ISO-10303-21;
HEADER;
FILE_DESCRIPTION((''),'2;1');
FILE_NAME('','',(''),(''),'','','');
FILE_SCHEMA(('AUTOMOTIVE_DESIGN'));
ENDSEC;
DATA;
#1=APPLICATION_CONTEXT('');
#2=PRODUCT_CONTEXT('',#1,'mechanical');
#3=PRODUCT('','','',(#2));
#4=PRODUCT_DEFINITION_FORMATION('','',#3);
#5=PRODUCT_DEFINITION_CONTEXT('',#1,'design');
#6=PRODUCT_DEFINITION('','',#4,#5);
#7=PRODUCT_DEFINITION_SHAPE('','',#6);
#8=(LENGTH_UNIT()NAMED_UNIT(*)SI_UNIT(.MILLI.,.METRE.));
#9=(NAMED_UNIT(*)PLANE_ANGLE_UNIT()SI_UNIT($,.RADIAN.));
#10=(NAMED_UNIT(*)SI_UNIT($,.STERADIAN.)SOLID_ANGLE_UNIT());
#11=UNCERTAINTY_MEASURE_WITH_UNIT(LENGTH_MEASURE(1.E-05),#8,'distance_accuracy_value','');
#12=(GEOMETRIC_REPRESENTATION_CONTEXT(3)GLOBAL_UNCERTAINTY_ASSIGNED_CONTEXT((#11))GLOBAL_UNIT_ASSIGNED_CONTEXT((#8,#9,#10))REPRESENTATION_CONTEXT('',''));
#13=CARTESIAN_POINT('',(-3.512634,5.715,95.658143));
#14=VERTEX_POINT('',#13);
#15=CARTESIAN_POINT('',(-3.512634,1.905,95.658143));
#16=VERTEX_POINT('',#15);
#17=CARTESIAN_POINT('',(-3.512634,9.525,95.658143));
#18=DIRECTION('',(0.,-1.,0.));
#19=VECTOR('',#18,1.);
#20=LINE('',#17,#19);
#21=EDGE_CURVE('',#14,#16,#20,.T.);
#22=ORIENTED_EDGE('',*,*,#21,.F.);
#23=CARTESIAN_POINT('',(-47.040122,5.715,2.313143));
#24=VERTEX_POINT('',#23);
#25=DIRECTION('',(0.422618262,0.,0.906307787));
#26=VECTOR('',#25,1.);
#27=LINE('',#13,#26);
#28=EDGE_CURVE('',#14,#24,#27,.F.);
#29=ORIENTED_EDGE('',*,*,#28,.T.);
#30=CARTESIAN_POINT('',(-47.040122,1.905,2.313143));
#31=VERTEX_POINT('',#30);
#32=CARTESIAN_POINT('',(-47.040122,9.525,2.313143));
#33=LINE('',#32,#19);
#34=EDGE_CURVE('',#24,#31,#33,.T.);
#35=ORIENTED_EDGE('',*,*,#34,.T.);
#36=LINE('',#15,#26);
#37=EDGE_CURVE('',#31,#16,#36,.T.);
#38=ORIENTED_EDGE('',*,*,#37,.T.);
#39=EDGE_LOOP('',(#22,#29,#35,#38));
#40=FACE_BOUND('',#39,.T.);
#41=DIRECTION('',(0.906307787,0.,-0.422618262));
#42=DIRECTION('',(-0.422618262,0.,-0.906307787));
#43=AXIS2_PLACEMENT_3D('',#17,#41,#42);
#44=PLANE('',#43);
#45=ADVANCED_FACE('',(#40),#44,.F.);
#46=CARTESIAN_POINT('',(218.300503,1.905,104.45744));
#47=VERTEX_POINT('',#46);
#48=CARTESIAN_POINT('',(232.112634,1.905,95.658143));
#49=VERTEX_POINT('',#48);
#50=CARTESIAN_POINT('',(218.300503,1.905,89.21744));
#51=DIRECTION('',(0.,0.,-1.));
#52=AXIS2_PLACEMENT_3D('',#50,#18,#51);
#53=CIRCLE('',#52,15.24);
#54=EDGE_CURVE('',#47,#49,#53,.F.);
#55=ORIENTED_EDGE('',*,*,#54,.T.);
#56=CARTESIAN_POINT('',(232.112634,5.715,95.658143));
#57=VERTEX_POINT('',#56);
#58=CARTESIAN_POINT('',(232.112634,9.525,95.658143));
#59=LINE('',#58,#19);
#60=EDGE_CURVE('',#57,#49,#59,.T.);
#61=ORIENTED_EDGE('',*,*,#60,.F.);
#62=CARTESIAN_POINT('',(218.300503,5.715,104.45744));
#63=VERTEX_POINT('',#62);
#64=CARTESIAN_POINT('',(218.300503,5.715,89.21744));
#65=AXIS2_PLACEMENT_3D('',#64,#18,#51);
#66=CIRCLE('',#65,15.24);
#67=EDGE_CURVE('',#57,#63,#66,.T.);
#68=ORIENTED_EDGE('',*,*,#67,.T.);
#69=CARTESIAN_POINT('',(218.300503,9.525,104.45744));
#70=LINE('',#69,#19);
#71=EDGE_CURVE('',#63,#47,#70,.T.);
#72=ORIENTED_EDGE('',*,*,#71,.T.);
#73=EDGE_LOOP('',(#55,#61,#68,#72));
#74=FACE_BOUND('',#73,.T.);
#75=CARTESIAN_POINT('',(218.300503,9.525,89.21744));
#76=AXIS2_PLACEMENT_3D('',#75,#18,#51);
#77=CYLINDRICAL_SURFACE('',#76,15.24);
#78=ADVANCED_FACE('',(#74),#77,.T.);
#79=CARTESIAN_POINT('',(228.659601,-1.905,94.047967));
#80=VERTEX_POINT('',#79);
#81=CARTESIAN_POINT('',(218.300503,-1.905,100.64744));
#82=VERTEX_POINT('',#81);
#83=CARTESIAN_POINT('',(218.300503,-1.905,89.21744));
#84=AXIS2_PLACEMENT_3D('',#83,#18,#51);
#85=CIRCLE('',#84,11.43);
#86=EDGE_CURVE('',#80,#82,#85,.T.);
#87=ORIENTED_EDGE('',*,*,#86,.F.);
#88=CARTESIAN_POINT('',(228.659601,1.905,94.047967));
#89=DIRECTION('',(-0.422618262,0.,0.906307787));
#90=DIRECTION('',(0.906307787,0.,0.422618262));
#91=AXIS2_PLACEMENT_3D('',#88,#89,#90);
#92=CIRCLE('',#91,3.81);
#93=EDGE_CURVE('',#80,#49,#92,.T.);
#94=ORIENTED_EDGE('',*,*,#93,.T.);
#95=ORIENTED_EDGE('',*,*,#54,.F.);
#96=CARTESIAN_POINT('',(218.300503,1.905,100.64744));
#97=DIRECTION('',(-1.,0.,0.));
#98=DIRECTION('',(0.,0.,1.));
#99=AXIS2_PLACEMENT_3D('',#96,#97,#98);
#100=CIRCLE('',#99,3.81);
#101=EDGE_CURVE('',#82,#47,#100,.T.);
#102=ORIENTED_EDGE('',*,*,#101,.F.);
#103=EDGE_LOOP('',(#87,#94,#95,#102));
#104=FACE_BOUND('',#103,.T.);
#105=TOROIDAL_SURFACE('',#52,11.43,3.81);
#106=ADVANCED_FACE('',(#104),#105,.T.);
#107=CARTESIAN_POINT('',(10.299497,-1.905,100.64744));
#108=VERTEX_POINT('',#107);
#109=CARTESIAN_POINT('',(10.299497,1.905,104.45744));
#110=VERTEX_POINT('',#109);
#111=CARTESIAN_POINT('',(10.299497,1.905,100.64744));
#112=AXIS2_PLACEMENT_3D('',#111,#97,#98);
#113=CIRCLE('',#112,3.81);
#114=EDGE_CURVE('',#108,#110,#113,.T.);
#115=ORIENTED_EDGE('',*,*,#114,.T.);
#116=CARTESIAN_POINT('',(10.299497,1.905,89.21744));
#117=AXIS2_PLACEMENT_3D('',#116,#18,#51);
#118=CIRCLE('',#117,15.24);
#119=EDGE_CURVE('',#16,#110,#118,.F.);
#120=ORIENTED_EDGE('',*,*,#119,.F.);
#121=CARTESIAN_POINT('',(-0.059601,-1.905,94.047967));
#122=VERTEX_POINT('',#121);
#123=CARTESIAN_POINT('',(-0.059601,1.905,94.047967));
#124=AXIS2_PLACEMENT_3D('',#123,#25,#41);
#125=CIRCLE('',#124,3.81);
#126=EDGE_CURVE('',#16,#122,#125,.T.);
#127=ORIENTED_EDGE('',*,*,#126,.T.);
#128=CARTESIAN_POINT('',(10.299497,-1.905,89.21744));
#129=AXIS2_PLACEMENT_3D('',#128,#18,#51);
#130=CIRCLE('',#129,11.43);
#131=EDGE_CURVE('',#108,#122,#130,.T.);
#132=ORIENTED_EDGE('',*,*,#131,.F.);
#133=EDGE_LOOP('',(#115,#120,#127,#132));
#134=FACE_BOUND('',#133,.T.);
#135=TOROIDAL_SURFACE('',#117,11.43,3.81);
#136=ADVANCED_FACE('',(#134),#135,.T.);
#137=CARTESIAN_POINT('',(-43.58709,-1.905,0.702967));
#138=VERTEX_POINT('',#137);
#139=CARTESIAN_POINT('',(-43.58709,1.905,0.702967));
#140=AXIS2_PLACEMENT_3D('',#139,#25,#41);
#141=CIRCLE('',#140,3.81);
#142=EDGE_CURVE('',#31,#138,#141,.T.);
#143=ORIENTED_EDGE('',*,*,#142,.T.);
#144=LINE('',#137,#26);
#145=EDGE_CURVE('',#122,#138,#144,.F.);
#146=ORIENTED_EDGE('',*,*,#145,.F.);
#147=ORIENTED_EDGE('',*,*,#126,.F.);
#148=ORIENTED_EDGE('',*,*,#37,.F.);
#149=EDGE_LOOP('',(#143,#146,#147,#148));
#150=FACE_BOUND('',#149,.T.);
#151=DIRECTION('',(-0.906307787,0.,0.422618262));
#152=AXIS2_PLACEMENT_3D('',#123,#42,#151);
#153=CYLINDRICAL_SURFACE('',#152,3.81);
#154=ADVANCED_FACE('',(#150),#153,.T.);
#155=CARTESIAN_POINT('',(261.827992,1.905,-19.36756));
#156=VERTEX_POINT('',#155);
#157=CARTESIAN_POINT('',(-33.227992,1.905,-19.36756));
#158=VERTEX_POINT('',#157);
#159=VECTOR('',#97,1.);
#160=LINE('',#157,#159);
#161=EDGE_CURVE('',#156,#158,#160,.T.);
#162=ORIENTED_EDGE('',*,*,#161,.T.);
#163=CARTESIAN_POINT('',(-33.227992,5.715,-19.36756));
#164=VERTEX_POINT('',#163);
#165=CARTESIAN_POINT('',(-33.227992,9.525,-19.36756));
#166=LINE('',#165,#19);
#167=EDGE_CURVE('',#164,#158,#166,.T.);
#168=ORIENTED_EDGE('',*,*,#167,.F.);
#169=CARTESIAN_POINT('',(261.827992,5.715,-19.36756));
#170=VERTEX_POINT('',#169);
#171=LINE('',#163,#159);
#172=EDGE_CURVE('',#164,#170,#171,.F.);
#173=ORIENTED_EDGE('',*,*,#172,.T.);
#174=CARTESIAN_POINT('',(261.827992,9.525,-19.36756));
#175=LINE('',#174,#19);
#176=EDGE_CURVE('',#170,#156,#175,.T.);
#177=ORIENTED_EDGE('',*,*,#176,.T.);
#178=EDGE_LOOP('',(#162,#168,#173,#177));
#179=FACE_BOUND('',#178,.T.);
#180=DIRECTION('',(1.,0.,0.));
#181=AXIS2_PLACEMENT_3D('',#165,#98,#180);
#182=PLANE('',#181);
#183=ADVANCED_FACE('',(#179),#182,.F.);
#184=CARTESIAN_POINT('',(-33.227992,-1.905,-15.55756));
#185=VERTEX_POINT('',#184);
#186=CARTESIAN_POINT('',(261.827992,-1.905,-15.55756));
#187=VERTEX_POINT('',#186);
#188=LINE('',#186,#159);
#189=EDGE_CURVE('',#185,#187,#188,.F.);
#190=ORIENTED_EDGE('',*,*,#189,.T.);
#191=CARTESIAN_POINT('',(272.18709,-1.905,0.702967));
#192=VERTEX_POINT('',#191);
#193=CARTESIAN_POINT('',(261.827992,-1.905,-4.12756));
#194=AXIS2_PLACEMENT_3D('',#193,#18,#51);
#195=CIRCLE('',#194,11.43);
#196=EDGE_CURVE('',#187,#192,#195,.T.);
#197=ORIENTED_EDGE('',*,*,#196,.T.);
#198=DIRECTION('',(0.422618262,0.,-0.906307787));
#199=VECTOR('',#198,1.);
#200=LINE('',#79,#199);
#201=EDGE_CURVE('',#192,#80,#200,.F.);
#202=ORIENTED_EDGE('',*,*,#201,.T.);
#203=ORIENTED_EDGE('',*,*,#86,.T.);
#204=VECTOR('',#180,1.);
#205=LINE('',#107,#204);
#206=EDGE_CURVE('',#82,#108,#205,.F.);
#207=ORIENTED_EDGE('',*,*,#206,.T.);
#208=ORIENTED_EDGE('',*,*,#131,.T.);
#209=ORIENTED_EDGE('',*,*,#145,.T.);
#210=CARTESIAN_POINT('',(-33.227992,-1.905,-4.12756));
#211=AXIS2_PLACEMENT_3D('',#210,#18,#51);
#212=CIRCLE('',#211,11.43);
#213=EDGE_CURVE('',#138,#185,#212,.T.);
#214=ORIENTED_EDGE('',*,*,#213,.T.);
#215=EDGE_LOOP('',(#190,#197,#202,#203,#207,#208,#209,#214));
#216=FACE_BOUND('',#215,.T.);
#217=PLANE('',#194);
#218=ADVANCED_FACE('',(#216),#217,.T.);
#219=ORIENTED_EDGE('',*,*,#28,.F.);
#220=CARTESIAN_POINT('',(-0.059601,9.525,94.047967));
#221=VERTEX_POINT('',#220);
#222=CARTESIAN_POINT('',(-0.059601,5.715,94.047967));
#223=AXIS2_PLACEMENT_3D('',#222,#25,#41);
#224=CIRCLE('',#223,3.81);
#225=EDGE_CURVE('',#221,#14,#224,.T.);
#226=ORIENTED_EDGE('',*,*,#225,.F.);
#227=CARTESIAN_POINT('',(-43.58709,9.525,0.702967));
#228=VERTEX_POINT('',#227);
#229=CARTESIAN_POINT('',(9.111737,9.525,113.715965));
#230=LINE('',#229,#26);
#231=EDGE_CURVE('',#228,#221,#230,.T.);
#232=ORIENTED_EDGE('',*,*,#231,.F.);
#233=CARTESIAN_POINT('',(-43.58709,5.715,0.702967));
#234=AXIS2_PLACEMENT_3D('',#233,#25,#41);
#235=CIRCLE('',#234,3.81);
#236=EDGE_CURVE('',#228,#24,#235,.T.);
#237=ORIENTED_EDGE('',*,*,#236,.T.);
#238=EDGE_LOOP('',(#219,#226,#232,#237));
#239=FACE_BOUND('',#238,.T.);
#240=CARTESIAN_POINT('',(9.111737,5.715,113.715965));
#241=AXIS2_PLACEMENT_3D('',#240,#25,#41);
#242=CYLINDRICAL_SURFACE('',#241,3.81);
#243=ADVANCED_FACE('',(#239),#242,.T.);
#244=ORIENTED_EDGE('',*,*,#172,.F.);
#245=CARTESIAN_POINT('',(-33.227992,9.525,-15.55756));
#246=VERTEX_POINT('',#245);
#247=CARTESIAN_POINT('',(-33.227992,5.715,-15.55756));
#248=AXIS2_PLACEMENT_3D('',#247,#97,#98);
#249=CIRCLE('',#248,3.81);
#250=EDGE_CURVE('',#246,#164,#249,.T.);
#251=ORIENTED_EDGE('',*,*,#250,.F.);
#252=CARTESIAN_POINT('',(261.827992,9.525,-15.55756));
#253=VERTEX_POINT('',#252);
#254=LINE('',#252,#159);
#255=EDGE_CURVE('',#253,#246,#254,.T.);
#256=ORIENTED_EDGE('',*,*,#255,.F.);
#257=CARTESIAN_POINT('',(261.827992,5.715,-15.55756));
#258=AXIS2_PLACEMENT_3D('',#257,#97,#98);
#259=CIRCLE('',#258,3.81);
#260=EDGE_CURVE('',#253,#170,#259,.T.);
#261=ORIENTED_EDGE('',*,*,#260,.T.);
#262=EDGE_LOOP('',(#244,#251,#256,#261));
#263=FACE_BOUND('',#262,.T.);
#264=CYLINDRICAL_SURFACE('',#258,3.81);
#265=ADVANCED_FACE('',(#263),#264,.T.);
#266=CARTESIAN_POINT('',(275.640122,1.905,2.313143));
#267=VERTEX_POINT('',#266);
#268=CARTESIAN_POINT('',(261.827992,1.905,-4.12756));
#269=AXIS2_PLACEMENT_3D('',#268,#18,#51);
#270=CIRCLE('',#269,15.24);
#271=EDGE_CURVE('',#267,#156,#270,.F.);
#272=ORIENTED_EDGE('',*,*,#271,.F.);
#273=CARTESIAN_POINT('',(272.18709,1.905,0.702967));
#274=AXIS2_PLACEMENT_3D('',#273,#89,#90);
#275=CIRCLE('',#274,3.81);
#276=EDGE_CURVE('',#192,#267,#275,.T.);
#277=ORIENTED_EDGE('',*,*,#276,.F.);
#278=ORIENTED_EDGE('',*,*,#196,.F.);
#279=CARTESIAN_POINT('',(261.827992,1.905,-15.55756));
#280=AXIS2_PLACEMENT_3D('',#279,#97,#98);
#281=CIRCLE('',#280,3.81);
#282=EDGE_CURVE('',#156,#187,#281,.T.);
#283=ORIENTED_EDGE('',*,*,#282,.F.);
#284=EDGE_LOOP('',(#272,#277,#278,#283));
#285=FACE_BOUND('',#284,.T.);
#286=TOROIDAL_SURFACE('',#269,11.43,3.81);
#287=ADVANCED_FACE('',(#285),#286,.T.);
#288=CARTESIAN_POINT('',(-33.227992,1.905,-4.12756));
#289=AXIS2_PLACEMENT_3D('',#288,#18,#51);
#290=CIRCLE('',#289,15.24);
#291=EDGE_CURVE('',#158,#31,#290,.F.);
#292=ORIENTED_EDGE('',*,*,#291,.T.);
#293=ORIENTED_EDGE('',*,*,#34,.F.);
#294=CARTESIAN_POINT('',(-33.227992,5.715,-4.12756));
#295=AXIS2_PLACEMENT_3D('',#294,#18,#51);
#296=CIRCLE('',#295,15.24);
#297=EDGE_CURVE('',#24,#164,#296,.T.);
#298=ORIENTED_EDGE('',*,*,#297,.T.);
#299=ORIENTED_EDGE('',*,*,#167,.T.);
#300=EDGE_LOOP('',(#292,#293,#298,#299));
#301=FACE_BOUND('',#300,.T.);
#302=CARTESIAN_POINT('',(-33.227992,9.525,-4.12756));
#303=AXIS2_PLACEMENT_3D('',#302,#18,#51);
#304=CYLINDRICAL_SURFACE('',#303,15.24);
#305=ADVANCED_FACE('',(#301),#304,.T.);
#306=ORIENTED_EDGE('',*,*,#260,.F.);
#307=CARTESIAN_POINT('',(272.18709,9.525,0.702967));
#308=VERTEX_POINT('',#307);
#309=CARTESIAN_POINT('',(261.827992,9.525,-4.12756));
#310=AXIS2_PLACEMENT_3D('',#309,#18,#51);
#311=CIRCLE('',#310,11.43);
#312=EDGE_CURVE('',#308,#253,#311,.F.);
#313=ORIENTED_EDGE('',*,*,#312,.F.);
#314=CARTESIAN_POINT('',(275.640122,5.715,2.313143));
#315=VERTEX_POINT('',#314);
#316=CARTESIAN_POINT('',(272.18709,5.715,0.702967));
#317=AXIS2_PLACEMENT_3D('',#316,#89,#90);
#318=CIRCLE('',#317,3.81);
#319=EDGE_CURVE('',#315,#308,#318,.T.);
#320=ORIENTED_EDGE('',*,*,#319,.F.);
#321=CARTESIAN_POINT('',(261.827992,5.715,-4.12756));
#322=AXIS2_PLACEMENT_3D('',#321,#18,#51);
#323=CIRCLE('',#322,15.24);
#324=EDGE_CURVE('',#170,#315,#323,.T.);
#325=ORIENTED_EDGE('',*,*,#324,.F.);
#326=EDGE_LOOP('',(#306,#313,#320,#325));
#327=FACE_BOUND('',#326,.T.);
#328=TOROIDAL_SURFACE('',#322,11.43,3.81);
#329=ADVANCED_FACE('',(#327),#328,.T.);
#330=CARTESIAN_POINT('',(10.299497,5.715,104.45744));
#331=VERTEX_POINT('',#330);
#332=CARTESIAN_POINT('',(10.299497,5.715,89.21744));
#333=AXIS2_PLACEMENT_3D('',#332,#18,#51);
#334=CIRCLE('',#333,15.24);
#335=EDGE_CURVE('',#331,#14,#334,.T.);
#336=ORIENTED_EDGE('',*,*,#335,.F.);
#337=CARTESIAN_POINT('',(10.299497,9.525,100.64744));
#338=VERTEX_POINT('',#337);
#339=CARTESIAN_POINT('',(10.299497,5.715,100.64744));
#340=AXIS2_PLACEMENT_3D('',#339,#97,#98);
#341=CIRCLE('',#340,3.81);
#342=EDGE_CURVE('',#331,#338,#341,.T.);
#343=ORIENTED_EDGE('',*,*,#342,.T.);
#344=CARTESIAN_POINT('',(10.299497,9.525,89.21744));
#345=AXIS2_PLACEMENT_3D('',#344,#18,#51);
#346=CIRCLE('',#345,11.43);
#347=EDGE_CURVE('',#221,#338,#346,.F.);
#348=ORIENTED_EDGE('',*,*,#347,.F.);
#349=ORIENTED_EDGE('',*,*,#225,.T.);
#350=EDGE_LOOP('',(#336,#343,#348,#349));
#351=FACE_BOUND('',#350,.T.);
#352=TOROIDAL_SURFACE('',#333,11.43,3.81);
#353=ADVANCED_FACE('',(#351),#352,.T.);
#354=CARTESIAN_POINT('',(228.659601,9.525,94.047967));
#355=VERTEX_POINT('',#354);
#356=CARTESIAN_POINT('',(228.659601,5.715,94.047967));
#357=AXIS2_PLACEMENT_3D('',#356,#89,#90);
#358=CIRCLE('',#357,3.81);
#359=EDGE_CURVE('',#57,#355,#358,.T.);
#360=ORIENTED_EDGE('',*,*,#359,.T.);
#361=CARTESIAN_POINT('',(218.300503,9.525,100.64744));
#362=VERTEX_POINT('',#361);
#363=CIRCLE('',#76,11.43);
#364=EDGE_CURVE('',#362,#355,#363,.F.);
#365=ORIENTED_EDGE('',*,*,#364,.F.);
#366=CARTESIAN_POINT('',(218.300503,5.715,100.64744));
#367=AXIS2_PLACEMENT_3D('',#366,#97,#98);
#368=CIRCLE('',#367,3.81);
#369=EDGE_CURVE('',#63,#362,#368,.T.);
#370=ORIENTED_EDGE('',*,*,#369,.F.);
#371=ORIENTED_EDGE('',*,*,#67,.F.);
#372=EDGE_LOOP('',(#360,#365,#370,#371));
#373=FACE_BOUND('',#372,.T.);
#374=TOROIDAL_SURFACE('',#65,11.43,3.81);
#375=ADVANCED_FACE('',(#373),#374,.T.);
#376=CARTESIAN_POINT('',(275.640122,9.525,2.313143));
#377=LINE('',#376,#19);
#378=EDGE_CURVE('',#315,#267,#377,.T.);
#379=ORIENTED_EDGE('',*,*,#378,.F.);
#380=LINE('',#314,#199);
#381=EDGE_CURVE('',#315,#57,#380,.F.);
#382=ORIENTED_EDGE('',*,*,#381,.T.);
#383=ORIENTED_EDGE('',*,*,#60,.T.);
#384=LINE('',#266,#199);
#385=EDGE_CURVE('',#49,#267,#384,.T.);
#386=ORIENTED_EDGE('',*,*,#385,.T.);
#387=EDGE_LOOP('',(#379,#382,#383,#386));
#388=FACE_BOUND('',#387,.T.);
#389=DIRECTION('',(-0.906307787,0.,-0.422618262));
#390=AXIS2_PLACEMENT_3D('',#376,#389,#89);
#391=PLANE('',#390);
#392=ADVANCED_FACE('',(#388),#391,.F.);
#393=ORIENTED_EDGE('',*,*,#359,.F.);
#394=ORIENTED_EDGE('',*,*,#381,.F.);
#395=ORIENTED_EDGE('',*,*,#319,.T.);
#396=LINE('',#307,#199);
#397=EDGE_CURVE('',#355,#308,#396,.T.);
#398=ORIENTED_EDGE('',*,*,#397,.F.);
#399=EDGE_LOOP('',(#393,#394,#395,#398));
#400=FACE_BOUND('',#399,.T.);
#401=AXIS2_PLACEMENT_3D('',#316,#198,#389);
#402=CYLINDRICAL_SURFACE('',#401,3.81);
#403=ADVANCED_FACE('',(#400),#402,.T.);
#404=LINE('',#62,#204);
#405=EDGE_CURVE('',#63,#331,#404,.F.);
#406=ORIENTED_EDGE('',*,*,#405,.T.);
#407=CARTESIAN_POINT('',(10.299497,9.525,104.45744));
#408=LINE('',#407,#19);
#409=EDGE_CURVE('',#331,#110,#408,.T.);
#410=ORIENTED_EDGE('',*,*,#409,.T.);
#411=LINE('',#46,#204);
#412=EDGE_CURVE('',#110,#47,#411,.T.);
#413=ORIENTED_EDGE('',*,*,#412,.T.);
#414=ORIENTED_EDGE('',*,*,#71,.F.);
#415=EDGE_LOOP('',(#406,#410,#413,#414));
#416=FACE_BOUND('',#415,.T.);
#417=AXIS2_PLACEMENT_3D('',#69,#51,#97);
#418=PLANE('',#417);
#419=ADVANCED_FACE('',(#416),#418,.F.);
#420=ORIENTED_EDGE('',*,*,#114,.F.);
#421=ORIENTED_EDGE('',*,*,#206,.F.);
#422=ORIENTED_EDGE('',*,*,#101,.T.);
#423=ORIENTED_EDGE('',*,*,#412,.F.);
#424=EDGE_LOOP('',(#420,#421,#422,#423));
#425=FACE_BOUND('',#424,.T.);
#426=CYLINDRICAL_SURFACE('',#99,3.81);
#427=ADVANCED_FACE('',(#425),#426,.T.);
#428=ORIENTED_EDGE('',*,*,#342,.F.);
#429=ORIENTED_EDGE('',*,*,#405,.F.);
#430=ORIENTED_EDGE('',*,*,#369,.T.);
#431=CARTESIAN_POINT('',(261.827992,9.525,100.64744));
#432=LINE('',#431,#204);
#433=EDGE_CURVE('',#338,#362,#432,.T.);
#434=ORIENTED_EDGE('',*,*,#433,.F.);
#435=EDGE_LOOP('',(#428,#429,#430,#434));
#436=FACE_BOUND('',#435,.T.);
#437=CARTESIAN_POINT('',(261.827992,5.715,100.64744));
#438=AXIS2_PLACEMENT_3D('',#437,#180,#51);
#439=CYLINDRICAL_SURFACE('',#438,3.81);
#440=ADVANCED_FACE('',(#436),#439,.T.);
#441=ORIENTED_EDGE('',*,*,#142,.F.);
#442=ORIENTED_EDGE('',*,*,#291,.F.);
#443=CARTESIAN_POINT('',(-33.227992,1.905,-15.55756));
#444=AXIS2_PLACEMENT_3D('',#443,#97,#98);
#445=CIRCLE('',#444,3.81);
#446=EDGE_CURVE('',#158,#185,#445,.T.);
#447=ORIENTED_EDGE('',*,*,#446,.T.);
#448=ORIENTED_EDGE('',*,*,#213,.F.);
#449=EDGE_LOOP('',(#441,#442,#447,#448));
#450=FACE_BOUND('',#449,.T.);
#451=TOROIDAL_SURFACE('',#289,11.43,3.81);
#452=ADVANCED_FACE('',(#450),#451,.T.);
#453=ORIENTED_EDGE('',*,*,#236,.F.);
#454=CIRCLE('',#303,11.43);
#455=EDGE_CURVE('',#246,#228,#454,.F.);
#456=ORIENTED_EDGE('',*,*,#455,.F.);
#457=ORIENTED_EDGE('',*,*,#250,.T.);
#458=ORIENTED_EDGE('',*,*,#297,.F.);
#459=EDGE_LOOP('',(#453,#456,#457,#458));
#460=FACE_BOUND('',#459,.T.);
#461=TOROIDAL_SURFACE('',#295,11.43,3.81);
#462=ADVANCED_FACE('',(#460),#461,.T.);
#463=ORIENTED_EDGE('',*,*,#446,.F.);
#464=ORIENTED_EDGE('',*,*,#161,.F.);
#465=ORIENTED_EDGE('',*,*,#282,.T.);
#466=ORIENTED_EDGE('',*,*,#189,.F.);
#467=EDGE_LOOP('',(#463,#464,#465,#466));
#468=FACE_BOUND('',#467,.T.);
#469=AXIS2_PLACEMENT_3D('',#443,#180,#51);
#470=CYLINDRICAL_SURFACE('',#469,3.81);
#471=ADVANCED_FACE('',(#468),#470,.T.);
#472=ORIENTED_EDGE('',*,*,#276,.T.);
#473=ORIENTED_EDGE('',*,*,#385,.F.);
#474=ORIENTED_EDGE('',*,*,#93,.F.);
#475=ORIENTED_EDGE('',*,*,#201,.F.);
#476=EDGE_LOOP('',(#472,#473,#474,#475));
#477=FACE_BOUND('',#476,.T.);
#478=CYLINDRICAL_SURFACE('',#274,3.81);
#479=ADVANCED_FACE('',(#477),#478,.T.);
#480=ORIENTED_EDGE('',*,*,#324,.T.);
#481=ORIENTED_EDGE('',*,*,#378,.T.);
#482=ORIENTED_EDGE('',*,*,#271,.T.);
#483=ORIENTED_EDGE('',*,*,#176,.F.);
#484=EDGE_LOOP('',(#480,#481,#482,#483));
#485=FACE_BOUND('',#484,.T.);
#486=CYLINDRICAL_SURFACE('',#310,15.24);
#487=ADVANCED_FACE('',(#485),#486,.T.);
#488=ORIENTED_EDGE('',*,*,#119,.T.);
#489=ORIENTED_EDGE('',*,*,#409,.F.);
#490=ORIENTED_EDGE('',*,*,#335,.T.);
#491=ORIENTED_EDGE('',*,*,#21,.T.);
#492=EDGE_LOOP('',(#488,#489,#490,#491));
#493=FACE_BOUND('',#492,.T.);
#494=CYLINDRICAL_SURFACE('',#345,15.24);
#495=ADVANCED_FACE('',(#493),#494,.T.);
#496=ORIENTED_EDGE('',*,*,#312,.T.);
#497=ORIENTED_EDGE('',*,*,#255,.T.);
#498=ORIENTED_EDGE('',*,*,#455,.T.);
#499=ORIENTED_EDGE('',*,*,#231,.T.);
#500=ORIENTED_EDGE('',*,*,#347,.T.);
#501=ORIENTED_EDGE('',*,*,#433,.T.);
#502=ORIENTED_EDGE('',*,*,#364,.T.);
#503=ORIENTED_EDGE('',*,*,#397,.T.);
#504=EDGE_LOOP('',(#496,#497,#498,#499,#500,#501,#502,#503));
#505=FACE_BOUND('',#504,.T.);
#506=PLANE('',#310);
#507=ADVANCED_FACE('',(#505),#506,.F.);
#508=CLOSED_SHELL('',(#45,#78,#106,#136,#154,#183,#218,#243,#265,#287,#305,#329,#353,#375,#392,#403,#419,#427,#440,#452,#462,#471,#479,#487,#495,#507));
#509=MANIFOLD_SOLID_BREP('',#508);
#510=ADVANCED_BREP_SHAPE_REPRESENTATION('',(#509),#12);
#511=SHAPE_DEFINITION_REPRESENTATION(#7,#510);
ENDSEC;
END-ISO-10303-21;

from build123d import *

# Parameters (mm, degrees)
BOSS_EXTRUDE1_DEPTH = 7.62
FILLET1_R           = 2.54
SCALE1_SCALE        = 1.5


with BuildPart() as part:
    # Sketch1 → Boss-Extrude1 (new body)
    with BuildSketch(Plane(origin=(0, 0, 0), x_dir=(1, 0, 0), z_dir=(0, 1, 0))):
        with BuildLine():
            Line((15.948005464, 0), (212.651994536, 0))
            ThreePointArc((212.651994536, 0), (221.220851626, -4.701035979), (221.860081653, -14.453801539))
            Line((221.860081653, -14.453801539), (192.841756086, -76.683801539))
            ThreePointArc((192.841756086, -76.683801539), (189.09263299, -80.958857089), (183.63366897, -82.55))
            Line((183.63366897, -82.55), (44.96633103, -82.55))
            ThreePointArc((44.96633103, -82.55), (39.50736701, -80.958857089), (35.758243914, -76.683801539))
            Line((35.758243914, -76.683801539), (6.739918347, -14.453801539))
            ThreePointArc((6.739918347, -14.453801539), (7.379148374, -4.701035979), (15.948005464, 0))
        make_face()
    extrude(amount=BOSS_EXTRUDE1_DEPTH)

    # Fillet1
    fillet1_edges = [part.edges().sort_by_distance(p)[0] for p in [
        (7.379148374, 7.62, 4.701035979),
        (114.3, 0, 0),
        (221.220851626, 0, 4.701035979),
        (21.249081131, 7.62, 45.568801539),
        (39.50736701, 7.62, 80.958857089),
        (114.3, 7.62, 82.55),
        (189.09263299, 7.62, 80.958857089),
        (207.350918869, 7.62, 45.568801539),
        (221.220851626, 7.62, 4.701035979),
        (114.3, 7.62, 0),
        (207.350918869, 0, 45.568801539),
        (189.09263299, 0, 80.958857089),
        (114.3, 0, 82.55),
        (39.50736701, 0, 80.958857089),
        (21.249081131, 0, 45.568801539),
        (7.379148374, 0, 4.701035979),
    ]]
    fillet(fillet1_edges, radius=FILLET1_R)


with BuildPart() as part_1:
    # Scale1: scaled about (114.3, 3.81, 38.735119428)
    add(part.part.scale(SCALE1_SCALE).moved(Location((-57.15, -1.905, -19.367559714))))


solid = part_1.part
